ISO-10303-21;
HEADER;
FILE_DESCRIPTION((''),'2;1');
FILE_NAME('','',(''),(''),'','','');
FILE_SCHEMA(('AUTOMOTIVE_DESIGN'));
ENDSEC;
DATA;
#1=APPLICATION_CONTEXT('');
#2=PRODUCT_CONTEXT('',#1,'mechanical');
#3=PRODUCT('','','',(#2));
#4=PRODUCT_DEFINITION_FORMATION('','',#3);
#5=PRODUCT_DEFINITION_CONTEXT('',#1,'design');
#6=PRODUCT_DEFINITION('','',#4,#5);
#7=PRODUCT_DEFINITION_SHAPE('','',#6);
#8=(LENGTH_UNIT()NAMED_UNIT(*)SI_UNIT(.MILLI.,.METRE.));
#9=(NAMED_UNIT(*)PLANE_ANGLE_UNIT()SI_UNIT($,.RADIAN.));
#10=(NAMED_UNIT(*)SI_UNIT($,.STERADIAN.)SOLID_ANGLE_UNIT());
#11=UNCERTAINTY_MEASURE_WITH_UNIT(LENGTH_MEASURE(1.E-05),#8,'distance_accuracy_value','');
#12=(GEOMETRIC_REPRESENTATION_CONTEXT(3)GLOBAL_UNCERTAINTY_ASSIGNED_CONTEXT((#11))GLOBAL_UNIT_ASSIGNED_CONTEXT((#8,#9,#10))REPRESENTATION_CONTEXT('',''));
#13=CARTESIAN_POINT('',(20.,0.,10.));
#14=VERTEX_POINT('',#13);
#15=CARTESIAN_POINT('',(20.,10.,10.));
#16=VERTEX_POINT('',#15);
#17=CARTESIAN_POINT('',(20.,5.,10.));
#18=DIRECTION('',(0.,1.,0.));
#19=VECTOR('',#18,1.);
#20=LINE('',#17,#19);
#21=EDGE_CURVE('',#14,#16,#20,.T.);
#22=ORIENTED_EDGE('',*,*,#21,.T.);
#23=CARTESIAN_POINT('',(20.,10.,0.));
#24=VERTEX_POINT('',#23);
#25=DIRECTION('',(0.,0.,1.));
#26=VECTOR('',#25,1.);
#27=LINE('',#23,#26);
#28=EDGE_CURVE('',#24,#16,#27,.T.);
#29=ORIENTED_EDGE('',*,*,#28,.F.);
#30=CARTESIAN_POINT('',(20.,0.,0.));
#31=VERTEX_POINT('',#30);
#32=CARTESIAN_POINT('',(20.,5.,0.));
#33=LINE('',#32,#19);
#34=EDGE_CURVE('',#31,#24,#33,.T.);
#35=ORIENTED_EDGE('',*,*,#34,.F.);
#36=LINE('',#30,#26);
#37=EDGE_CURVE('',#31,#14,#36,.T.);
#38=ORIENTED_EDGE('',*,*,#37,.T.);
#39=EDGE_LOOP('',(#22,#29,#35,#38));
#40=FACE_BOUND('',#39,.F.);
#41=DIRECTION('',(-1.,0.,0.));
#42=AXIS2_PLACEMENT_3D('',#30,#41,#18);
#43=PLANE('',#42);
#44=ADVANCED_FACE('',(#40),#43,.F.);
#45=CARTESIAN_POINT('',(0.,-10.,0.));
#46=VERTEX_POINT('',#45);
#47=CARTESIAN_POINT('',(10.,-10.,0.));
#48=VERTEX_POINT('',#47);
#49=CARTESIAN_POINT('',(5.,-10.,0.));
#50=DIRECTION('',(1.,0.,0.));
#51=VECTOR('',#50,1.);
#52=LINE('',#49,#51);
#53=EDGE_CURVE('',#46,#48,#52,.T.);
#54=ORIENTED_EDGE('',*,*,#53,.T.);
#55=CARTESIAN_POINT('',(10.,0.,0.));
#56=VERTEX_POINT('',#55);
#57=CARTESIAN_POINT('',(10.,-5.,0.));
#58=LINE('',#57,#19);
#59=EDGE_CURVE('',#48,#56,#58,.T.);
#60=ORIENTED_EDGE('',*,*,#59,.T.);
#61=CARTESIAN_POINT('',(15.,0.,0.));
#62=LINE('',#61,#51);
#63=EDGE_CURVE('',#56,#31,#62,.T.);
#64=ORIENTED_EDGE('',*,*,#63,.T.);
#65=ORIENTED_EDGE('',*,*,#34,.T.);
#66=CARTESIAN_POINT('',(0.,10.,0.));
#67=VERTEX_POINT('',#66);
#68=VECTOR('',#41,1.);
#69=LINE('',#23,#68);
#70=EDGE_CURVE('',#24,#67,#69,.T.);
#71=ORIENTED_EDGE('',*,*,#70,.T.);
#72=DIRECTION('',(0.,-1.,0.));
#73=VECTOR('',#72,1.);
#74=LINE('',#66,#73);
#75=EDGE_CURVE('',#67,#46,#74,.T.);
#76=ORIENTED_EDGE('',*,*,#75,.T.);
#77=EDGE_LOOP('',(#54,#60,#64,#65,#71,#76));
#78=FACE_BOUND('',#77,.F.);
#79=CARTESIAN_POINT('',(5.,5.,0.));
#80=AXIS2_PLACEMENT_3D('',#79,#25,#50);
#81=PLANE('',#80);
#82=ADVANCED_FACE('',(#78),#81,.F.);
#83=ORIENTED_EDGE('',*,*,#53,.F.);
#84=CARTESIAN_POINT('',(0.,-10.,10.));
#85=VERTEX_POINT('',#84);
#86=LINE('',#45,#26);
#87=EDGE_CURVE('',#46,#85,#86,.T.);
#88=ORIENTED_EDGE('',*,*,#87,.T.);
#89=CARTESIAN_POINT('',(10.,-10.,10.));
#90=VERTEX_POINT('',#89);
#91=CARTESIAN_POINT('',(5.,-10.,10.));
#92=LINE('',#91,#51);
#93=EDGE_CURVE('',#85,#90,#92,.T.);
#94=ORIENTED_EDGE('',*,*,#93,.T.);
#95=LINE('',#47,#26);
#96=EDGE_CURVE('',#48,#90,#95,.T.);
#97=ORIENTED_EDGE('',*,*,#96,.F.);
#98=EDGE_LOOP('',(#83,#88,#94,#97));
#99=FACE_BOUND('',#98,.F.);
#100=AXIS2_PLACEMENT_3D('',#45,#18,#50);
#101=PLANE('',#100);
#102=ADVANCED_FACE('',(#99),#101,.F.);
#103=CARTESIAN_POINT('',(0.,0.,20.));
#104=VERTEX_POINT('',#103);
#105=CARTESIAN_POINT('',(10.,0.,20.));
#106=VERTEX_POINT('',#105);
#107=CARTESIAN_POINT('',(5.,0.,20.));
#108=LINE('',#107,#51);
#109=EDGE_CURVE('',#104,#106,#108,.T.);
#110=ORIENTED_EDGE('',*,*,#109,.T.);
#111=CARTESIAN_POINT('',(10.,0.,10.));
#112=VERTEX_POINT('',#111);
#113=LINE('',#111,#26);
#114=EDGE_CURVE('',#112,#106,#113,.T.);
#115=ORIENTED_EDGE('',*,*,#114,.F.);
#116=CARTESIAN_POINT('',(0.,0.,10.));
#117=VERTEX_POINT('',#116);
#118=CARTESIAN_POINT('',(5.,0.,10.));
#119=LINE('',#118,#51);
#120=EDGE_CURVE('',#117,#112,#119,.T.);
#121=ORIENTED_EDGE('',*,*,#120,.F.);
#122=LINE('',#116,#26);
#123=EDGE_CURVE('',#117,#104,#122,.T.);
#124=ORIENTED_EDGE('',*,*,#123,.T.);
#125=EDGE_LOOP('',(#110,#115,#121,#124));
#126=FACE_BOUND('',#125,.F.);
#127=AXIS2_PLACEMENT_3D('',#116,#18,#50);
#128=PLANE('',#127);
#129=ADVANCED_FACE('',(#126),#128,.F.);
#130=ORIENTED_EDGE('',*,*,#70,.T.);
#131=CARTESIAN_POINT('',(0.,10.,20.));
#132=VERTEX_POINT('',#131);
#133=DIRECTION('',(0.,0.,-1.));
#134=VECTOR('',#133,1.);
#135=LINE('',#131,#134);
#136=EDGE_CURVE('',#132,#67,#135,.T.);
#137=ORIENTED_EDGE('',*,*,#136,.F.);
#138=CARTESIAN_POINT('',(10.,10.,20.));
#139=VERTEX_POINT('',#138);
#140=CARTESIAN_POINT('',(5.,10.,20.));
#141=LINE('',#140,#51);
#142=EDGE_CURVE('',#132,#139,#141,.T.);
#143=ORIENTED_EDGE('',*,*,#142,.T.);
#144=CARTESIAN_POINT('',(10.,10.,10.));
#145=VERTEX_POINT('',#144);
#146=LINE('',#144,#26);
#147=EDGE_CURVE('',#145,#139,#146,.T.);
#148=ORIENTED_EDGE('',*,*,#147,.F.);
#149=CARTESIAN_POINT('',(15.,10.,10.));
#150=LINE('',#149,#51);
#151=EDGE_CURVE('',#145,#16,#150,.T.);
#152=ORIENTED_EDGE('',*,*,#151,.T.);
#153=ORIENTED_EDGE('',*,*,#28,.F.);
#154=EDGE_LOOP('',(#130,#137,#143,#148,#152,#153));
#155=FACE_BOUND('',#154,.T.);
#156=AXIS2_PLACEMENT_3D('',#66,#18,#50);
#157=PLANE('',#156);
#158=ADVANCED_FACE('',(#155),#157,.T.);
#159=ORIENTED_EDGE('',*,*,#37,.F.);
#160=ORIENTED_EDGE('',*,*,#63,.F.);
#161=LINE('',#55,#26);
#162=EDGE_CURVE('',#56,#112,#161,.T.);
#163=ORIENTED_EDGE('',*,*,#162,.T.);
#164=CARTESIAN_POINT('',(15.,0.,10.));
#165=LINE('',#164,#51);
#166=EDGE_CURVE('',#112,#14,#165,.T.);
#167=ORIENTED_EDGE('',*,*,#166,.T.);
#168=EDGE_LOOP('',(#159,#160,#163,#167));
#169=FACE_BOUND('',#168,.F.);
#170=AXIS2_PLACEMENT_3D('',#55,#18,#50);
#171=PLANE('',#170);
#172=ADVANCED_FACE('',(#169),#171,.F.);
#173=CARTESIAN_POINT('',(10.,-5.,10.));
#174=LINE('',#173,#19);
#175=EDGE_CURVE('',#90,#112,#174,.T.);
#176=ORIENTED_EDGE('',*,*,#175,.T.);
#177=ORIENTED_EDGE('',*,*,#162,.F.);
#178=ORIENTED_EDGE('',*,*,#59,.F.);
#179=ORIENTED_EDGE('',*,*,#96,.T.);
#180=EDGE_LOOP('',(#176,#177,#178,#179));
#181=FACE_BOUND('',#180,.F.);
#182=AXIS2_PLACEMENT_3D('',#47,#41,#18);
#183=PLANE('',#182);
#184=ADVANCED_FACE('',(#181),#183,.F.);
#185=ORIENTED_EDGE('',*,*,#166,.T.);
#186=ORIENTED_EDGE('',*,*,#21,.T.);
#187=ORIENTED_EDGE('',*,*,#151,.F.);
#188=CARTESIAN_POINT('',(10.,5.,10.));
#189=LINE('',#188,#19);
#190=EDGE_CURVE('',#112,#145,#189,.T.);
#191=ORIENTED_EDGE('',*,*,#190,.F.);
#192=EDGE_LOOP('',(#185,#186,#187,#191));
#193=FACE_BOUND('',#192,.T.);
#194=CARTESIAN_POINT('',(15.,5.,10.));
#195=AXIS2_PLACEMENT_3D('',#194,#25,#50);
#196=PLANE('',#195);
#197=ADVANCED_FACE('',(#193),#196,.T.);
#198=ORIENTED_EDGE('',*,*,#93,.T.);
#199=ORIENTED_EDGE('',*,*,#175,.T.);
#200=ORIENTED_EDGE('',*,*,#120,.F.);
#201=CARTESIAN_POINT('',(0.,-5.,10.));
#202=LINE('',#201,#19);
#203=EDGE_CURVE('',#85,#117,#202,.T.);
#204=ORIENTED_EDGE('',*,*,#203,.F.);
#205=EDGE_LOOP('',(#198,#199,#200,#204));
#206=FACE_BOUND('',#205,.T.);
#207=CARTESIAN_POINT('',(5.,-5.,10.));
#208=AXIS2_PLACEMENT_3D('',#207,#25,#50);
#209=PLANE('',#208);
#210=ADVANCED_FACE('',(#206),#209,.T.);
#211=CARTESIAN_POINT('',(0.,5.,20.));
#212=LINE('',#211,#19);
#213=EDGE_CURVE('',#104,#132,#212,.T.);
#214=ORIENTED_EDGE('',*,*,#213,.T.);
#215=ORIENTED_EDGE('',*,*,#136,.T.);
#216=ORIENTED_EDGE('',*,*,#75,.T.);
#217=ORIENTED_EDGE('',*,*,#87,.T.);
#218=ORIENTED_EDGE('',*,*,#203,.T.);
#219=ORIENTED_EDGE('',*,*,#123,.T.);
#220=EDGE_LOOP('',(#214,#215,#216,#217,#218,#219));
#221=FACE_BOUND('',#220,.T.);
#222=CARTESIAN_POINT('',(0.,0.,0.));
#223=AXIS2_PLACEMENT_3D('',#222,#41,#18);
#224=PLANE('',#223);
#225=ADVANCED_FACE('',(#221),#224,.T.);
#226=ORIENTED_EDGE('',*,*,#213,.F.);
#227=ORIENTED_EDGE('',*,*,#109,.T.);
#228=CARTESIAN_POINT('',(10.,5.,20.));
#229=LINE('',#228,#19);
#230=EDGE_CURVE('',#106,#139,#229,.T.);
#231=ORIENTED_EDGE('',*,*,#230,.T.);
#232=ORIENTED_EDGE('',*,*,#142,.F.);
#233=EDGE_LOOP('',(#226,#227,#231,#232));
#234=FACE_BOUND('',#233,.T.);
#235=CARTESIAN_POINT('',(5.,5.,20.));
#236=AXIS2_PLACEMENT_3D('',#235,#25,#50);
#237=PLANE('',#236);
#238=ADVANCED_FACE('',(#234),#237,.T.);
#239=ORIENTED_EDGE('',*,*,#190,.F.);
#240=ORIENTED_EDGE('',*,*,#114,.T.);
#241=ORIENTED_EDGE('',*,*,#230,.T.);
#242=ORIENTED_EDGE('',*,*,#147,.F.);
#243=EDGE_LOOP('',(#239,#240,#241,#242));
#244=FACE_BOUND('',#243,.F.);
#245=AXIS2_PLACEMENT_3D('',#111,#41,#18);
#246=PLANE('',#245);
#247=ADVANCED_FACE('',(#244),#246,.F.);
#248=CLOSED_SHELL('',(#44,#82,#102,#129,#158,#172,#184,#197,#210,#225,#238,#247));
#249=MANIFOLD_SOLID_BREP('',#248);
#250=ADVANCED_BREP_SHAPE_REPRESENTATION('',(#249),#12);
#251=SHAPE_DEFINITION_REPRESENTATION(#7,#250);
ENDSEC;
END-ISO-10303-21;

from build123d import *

# Parameters (mm, degrees)
BOX001_W     = 10
BOX001_H     = 10
BOX001_DEPTH = 10
BOX002_W     = 10
BOX002_H     = 10
BOX002_DEPTH = 10
BOX003_W     = 10
BOX003_H     = 10
BOX003_DEPTH = 10
BOX_W        = 10
BOX_H        = 10
BOX_DEPTH    = 10


with BuildPart() as cub2_nivell1:
    # Box001 → Box001 (new body)
    with BuildSketch(Plane(origin=(10, 0, 0), x_dir=(1, 0, 0), z_dir=(0, 0, 1))):
        with Locations((5, 5)):
            Rectangle(BOX001_W, BOX001_H)
    extrude(amount=BOX001_DEPTH)


with BuildPart() as cub3_nivell1:
    # Box002 → Box002 (new body)
    with BuildSketch(Plane(origin=(0, -10, 0), x_dir=(1, 0, 0), z_dir=(0, 0, 1))):
        with Locations((5, 5)):
            Rectangle(BOX002_W, BOX002_H)
    extrude(amount=BOX002_DEPTH)


with BuildPart() as cub1_nivell002:
    # Box003 → Box003 (new body)
    with BuildSketch(Plane.XY):
        with Locations((5, 5)):
            Rectangle(BOX003_W, BOX003_H)
    extrude(amount=BOX003_DEPTH)


with BuildPart() as qbert_2nivells001:
    # Box → Box (new body)
    with BuildSketch(Plane.XY.offset(10)):
        with Locations((5, 5)):
            Rectangle(BOX_W, BOX_H)
    extrude(amount=BOX_DEPTH)

    # Fusion: union Cub2_nivell1, Cub3_nivell1, Cub1_nivell002
    add(cub2_nivell1.part)
    add(cub3_nivell1.part)
    add(cub1_nivell002.part)


solid = qbert_2nivells001.part
